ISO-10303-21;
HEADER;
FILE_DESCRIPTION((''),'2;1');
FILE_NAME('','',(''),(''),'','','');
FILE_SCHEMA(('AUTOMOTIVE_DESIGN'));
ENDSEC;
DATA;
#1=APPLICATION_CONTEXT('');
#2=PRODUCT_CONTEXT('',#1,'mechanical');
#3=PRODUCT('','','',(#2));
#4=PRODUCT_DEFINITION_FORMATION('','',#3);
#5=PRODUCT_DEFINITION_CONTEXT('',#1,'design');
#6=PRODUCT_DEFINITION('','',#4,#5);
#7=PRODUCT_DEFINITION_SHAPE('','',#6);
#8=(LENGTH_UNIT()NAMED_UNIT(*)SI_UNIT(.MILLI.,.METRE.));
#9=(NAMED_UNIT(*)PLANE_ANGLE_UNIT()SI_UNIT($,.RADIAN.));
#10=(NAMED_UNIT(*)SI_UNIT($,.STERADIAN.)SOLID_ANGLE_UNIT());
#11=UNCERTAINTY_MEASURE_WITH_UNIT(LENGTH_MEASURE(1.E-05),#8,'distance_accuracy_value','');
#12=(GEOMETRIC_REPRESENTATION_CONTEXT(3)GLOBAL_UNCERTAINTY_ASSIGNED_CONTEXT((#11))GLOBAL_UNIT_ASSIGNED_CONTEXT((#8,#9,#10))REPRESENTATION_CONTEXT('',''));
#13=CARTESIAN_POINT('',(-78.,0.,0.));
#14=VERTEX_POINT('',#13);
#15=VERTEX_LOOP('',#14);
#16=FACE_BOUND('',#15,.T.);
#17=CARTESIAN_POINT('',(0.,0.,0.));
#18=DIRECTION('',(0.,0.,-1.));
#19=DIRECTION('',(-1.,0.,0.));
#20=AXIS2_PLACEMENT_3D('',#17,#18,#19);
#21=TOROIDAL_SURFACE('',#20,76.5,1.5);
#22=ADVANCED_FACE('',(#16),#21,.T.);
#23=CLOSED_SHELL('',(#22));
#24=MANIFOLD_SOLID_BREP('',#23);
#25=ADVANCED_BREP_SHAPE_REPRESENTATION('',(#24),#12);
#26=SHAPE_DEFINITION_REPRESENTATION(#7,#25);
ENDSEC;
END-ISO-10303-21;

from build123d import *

# Parameters (mm, degrees)
SKETCH1_R = 1.5


with BuildPart() as part:
    # Sketch1 → Revolve1 (revolve)
    with BuildSketch(Plane(origin=(0, 0, 0), x_dir=(0, 0, -1), z_dir=(1, 0, 0))):
        with Locations((0, 76.5)):
            Circle(SKETCH1_R)
    revolve(axis=Axis((0, 0, 0), (0, 0, 1)))


solid = part.part
